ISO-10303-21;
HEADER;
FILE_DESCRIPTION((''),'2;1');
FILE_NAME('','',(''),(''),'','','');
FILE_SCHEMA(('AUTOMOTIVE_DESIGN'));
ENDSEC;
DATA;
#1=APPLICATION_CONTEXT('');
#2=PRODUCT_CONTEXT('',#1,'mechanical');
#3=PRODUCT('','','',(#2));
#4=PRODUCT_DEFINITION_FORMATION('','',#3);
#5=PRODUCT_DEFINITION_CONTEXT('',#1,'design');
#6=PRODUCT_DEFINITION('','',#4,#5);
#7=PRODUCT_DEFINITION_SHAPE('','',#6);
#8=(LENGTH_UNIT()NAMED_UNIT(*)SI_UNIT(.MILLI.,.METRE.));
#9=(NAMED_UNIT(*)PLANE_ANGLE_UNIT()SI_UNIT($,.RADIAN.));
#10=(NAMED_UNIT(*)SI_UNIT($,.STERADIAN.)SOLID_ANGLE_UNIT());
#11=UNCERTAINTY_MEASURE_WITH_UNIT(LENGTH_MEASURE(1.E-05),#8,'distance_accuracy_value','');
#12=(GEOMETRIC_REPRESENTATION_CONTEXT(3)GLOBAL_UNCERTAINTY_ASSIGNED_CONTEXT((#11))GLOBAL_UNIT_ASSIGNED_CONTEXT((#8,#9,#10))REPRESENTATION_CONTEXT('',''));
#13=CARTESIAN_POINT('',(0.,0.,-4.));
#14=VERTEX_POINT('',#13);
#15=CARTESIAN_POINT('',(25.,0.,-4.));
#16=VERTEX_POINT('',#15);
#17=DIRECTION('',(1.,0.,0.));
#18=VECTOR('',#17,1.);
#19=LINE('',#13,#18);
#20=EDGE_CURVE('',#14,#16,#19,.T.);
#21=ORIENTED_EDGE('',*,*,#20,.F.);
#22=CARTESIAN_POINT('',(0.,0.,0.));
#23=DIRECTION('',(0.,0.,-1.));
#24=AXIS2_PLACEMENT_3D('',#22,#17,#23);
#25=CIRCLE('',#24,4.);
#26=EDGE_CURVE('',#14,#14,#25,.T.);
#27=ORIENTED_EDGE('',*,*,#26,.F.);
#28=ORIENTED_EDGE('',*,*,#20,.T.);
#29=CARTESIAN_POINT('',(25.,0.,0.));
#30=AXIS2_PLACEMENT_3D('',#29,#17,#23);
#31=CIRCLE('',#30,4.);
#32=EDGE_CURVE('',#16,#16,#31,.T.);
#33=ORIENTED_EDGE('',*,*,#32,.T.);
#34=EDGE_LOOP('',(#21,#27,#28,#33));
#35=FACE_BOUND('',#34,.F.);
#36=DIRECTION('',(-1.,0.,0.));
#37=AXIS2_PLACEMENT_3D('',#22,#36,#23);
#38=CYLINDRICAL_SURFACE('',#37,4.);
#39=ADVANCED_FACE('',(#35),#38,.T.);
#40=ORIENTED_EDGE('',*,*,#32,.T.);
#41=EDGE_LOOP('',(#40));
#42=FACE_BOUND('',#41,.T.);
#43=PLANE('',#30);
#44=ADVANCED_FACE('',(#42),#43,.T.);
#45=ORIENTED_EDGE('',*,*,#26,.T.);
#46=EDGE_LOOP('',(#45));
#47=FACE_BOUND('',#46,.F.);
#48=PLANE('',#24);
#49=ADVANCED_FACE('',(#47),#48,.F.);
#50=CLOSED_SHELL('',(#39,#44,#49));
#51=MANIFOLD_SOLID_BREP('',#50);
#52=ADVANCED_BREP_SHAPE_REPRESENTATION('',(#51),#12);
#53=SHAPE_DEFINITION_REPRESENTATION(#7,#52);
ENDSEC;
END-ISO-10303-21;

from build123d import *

# Parameters (mm, degrees)
SCHIZZO1_R                   = 4
ESTRUSIONE_ESTRUSIONE1_DEPTH = 25


with BuildPart() as part:
    # Schizzo1 → Estrusione-Estrusione1 (new body)
    with BuildSketch(Plane(origin=(0, 0, 0), x_dir=(0, 0, -1), z_dir=(1, 0, 0))):
        Circle(SCHIZZO1_R)
    extrude(amount=ESTRUSIONE_ESTRUSIONE1_DEPTH)


solid = part.part
